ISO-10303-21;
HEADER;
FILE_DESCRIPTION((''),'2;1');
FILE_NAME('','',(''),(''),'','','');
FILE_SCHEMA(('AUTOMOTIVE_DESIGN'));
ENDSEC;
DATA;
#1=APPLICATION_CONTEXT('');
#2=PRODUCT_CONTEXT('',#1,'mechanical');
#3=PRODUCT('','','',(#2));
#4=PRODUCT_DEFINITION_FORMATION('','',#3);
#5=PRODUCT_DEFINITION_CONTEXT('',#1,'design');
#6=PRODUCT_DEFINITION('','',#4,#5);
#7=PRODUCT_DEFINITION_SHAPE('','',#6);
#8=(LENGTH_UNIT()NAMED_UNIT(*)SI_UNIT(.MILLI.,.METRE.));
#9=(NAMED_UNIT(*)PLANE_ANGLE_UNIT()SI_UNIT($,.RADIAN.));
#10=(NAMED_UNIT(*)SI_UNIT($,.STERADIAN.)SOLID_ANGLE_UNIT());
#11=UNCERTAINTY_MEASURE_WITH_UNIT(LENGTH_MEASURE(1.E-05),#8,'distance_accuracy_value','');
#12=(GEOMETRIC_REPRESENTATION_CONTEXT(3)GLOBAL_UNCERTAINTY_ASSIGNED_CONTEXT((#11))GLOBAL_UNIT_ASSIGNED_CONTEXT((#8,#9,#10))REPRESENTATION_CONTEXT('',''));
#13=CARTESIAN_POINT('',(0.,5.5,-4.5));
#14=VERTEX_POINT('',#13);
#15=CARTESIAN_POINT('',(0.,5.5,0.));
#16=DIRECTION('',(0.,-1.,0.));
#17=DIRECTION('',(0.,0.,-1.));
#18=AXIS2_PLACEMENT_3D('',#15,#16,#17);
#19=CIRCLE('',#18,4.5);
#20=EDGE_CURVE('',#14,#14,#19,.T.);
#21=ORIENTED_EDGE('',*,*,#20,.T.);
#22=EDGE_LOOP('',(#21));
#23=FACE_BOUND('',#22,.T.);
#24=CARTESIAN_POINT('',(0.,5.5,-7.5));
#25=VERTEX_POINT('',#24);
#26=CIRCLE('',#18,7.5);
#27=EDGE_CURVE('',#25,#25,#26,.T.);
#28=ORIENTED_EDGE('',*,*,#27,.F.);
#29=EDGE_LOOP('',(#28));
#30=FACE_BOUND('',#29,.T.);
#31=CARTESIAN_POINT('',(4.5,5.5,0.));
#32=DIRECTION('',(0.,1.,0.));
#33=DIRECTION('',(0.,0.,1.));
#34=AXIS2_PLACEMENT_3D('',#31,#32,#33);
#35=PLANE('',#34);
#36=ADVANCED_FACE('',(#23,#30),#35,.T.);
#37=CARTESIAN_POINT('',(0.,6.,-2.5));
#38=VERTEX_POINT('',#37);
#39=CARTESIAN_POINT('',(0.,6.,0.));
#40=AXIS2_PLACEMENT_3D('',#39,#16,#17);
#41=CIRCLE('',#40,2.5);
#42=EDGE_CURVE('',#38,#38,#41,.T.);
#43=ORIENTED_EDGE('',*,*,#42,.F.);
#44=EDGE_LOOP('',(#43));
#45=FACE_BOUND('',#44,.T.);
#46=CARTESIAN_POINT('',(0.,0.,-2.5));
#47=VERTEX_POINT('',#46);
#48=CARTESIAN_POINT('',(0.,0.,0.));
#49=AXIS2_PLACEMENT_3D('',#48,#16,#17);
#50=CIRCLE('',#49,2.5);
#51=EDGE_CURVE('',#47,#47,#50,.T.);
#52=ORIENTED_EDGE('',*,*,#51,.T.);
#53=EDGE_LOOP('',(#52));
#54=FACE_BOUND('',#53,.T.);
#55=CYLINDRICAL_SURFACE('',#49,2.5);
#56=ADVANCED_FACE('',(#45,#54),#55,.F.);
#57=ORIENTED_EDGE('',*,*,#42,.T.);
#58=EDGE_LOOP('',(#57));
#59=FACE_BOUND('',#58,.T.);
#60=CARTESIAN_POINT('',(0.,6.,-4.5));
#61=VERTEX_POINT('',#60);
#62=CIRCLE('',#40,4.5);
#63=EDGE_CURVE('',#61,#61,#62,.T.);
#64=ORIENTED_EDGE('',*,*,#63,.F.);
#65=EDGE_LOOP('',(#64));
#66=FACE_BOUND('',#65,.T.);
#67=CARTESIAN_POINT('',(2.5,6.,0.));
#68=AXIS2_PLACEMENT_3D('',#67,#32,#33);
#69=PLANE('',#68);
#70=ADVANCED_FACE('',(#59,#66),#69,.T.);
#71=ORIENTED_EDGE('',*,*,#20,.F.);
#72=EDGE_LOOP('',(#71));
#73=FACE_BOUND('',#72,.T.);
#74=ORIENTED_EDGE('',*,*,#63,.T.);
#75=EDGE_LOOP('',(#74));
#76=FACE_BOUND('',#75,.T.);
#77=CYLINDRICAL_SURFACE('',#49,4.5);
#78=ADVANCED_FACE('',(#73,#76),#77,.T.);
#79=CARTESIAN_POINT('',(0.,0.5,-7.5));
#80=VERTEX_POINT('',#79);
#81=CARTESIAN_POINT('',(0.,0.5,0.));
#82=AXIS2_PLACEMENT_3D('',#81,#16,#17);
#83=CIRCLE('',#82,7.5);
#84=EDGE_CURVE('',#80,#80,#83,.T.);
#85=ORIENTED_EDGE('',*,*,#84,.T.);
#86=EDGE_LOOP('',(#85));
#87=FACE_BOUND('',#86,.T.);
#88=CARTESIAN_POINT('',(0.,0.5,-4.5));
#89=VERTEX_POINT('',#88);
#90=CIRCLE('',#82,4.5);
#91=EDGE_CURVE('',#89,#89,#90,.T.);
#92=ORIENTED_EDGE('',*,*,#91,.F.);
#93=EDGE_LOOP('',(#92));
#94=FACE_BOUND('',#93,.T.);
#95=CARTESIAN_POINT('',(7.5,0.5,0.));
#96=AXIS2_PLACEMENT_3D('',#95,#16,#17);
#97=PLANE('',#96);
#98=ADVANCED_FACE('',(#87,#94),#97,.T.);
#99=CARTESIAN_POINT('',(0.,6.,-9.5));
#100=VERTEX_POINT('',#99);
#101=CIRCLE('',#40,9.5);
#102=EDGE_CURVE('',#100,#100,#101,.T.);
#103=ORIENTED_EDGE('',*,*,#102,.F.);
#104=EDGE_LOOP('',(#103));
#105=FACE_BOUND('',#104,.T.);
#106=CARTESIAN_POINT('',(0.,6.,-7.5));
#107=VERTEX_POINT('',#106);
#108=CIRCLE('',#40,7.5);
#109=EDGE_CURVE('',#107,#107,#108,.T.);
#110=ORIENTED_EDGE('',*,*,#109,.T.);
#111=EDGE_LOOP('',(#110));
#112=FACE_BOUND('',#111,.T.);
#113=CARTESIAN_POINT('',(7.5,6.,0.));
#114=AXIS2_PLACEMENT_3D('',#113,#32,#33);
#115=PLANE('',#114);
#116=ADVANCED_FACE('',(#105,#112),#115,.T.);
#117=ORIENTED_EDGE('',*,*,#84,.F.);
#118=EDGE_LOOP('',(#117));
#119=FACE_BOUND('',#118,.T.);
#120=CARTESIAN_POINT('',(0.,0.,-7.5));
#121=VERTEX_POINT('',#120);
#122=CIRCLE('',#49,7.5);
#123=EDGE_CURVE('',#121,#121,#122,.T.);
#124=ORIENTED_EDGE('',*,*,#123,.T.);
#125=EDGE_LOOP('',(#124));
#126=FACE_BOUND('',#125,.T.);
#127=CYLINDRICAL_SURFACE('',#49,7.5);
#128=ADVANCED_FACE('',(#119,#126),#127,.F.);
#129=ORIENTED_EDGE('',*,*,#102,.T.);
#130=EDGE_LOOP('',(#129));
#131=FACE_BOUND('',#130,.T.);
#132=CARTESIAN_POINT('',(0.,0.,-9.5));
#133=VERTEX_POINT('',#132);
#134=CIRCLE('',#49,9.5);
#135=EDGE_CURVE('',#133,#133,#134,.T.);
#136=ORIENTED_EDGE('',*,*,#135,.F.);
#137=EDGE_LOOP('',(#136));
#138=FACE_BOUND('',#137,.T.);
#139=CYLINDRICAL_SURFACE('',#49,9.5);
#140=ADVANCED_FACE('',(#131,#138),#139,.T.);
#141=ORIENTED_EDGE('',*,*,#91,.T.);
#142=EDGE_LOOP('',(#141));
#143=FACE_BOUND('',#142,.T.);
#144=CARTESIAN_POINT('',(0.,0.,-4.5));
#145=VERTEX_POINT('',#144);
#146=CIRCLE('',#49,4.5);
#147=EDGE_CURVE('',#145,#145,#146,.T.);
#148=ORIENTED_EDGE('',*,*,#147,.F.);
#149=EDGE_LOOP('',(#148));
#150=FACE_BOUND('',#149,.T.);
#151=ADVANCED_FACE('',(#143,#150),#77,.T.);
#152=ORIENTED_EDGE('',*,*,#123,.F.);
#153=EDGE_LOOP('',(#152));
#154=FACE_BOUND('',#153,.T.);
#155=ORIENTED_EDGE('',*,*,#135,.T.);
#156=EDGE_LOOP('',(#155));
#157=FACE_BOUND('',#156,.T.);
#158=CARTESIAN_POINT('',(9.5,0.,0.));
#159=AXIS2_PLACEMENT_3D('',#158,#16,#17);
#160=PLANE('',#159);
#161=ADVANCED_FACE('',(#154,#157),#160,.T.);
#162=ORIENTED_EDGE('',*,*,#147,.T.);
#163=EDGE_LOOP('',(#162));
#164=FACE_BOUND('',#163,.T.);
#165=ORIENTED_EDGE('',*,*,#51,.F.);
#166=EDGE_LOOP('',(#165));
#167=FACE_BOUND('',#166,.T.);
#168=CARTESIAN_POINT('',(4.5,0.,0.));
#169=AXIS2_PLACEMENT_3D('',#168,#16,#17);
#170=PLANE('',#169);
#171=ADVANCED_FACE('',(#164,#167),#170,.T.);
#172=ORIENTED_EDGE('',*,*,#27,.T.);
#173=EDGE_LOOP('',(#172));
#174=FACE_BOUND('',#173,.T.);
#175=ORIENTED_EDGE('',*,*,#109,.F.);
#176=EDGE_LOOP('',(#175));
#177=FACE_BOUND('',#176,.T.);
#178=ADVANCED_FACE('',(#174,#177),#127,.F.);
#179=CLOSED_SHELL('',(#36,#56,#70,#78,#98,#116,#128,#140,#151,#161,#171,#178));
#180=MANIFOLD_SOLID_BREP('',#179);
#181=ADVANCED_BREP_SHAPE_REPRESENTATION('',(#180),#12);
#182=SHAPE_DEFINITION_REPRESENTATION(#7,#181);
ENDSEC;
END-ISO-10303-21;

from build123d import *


with BuildPart() as part:
    # 草图1 → 旋转1 (revolve)
    with BuildSketch(Plane.XY, mode=Mode.PRIVATE) as revolve_1_sk:
        Polygon((2.5, 0), (2.5, 6), (4.5, 6), (4.5, 5.5), (7.5, 5.5), (7.5, 6), (9.5, 6), (9.5, 0), (7.5, 0), (7.5, 0.5), (4.5, 0.5), (4.5, 0), align=None)
    revolve(revolve_1_sk.sketch.rotate(Axis((0, 0, 0), (0, 1, 0)), 90), axis=Axis((0, 0, 0), (0, 1, 0)))


solid = part.part
